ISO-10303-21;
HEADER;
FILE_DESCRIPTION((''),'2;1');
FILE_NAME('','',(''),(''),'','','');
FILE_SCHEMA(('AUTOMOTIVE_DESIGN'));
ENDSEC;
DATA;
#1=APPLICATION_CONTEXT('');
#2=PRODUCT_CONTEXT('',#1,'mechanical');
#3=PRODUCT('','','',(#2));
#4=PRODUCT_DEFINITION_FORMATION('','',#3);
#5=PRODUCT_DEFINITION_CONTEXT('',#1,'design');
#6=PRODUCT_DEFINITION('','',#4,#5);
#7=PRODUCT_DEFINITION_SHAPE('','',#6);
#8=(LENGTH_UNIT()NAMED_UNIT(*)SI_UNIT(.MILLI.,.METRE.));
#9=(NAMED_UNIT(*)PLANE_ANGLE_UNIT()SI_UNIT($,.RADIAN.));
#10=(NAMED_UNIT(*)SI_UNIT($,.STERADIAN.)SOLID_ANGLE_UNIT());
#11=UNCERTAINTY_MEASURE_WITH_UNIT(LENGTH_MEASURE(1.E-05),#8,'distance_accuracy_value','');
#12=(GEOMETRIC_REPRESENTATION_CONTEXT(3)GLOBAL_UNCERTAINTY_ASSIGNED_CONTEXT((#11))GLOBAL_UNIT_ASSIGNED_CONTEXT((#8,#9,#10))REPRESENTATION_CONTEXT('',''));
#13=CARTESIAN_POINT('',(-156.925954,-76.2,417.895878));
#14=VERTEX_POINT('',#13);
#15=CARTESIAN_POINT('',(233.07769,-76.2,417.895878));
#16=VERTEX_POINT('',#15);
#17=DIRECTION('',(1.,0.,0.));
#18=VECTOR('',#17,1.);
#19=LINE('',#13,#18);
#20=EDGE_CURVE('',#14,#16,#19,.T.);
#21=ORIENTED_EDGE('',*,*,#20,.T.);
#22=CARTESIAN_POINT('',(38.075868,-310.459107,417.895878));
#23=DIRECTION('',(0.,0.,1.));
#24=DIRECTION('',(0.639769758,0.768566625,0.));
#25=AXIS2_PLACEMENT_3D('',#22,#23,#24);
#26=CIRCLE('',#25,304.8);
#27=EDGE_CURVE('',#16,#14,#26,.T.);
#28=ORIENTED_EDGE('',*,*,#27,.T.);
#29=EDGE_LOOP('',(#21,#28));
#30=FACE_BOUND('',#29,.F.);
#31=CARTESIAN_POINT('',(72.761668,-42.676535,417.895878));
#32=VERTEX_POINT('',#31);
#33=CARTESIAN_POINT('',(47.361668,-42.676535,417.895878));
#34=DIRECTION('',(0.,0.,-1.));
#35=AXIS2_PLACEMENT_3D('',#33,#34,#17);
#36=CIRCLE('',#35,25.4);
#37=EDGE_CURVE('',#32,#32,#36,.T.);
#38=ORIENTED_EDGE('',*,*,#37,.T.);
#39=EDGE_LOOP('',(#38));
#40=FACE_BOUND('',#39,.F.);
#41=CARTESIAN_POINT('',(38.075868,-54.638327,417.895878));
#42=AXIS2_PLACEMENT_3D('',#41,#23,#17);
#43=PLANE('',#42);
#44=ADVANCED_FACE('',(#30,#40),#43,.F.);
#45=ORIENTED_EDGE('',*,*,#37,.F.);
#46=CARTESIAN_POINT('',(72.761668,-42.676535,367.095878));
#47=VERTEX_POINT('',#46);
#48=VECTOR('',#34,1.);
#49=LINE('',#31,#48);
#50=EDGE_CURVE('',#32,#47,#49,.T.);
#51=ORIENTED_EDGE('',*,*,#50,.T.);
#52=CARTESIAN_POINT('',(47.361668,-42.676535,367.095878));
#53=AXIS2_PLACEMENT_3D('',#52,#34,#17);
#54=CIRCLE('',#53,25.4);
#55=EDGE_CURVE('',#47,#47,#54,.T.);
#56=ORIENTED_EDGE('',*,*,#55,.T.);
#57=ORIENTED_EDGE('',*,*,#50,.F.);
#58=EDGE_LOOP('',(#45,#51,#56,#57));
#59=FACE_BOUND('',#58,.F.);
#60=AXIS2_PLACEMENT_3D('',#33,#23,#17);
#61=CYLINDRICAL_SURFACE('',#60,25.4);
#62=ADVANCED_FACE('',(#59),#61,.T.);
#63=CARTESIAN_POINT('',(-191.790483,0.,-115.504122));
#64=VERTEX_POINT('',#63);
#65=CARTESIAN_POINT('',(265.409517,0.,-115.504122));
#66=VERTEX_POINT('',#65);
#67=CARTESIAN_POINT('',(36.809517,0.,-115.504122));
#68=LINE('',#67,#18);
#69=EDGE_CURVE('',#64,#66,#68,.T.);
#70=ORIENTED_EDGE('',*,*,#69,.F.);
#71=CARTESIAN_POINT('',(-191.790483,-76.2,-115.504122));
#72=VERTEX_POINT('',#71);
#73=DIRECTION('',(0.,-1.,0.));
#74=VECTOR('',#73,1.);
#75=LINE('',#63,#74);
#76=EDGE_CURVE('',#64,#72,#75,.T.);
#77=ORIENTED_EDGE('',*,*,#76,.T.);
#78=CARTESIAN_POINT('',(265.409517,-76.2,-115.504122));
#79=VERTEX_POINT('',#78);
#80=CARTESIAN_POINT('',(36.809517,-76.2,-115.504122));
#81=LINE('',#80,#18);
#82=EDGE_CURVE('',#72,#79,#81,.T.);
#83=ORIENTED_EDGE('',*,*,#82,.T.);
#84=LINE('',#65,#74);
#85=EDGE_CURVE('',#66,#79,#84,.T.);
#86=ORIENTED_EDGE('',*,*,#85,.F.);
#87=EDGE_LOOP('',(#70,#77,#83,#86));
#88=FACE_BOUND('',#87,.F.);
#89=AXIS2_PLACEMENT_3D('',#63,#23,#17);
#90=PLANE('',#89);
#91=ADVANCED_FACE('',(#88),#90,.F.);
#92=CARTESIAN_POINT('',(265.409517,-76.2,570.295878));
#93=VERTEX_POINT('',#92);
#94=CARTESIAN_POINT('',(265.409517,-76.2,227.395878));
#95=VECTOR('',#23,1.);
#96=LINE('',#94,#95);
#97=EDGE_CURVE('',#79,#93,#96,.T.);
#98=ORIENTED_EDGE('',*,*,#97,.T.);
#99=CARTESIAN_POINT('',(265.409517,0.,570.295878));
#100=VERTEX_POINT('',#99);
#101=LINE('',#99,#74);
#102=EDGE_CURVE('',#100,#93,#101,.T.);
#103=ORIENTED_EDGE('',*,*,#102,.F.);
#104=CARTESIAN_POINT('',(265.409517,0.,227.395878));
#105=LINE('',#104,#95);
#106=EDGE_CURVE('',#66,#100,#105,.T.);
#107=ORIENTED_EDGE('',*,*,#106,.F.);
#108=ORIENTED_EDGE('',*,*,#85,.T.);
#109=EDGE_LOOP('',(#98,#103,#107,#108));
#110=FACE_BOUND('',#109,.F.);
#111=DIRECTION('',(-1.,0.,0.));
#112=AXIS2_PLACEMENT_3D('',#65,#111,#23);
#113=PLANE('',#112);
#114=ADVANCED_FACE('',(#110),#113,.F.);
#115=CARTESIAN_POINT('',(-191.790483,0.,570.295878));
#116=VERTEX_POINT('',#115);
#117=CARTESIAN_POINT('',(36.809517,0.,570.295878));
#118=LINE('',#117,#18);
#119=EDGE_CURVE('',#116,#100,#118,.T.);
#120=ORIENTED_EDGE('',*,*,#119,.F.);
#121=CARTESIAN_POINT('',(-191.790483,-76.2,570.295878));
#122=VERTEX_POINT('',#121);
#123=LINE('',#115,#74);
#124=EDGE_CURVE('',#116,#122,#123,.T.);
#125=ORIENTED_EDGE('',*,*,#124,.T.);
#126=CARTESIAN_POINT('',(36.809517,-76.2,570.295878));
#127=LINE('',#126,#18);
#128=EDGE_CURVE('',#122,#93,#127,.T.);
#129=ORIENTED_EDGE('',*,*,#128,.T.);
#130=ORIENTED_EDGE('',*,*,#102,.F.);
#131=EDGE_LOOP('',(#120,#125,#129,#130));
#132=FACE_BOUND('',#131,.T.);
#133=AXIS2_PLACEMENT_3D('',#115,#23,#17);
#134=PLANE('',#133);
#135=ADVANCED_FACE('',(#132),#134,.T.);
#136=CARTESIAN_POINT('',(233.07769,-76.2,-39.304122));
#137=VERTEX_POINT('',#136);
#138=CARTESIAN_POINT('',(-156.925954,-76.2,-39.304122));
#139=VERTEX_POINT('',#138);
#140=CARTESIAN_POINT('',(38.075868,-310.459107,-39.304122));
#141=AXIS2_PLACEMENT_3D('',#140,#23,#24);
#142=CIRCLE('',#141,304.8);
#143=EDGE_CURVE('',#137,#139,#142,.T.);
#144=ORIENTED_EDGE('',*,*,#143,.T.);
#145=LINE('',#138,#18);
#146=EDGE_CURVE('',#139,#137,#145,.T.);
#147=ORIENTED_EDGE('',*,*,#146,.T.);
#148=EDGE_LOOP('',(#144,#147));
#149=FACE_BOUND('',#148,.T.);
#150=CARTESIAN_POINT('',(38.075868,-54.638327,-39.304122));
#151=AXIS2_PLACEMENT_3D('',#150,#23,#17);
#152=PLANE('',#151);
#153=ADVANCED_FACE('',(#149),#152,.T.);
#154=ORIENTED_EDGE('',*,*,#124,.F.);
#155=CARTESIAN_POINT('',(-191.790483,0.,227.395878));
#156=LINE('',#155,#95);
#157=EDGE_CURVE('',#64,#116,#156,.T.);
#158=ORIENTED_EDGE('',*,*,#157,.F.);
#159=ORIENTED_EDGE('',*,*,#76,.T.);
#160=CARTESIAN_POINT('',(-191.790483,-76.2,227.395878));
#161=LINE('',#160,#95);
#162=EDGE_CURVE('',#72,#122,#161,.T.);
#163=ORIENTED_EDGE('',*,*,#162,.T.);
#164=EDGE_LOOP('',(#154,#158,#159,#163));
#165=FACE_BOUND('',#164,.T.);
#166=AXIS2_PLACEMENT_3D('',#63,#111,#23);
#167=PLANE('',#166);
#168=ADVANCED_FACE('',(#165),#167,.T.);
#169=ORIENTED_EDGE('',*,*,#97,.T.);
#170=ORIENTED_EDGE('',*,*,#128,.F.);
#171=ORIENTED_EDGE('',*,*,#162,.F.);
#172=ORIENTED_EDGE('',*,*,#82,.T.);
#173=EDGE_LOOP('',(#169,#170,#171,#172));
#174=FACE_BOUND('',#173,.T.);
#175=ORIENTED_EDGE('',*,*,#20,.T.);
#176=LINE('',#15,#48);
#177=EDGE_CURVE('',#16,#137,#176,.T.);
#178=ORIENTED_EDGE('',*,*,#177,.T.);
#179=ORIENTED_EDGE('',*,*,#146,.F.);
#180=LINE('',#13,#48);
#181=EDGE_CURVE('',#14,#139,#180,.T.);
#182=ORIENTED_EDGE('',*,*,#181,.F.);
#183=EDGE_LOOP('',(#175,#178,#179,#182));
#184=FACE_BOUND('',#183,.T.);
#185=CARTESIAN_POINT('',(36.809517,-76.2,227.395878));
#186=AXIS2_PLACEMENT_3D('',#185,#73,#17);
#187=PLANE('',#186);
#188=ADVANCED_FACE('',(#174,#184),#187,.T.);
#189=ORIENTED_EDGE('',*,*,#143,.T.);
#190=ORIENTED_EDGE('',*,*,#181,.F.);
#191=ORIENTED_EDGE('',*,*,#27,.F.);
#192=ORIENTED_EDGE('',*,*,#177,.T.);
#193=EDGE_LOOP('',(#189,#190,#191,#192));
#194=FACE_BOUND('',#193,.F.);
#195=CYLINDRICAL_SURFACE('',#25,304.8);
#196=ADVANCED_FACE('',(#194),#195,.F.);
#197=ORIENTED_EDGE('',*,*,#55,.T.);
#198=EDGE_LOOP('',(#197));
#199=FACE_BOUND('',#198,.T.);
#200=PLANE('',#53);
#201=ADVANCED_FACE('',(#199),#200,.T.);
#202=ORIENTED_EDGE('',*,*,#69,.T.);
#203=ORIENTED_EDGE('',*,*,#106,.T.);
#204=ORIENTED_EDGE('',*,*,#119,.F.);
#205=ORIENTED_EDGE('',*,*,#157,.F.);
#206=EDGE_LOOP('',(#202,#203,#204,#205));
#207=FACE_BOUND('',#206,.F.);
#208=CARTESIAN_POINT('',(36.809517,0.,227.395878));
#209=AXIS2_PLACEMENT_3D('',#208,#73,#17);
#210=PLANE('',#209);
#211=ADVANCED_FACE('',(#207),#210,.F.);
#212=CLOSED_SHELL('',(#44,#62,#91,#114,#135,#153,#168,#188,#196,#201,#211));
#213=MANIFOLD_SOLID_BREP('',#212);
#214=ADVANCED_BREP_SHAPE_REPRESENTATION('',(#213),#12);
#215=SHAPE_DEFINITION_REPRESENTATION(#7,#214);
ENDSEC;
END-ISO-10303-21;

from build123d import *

# Parameters (mm, degrees)
F0_W     = 457.2
F0_H     = 685.8
F1_DEPTH = 76.2
F3_START = -152.4
F3_DEPTH = 457.2
F4_R     = 25.4
F5_DEPTH = 50.8


with BuildPart() as f1:
    # F0 (on Front) → F1 (new body)
    with BuildSketch(Plane.XZ):
        with Locations((36.8095165998, 227.3958778115)):
            Rectangle(F0_W, F0_H)
    extrude(amount=F1_DEPTH)

    # F2 (on face) → F3 (cut)
    with BuildSketch(Plane.XY.offset(570.2958778115).offset(F3_START)):
        with BuildLine():
            Line((-156.9259542905, -76.2), (233.0776903711, -76.2))
            ThreePointArc((233.0776903711, -76.2), (38.0758680403, -5.6591071606), (-156.9259542905, -76.2))
        make_face()
    extrude(amount=-F3_DEPTH, mode=Mode.SUBTRACT)

    # F4 (on face) → F5 (join)
    with BuildSketch(Plane(origin=(0, 0, 417.8958778115), x_dir=(1, 0, 0), z_dir=(0, 0, -1))):
        with Locations((47.3616681993, 42.6765345037)):
            Circle(F4_R)
    extrude(amount=F5_DEPTH)


solid = f1.part
